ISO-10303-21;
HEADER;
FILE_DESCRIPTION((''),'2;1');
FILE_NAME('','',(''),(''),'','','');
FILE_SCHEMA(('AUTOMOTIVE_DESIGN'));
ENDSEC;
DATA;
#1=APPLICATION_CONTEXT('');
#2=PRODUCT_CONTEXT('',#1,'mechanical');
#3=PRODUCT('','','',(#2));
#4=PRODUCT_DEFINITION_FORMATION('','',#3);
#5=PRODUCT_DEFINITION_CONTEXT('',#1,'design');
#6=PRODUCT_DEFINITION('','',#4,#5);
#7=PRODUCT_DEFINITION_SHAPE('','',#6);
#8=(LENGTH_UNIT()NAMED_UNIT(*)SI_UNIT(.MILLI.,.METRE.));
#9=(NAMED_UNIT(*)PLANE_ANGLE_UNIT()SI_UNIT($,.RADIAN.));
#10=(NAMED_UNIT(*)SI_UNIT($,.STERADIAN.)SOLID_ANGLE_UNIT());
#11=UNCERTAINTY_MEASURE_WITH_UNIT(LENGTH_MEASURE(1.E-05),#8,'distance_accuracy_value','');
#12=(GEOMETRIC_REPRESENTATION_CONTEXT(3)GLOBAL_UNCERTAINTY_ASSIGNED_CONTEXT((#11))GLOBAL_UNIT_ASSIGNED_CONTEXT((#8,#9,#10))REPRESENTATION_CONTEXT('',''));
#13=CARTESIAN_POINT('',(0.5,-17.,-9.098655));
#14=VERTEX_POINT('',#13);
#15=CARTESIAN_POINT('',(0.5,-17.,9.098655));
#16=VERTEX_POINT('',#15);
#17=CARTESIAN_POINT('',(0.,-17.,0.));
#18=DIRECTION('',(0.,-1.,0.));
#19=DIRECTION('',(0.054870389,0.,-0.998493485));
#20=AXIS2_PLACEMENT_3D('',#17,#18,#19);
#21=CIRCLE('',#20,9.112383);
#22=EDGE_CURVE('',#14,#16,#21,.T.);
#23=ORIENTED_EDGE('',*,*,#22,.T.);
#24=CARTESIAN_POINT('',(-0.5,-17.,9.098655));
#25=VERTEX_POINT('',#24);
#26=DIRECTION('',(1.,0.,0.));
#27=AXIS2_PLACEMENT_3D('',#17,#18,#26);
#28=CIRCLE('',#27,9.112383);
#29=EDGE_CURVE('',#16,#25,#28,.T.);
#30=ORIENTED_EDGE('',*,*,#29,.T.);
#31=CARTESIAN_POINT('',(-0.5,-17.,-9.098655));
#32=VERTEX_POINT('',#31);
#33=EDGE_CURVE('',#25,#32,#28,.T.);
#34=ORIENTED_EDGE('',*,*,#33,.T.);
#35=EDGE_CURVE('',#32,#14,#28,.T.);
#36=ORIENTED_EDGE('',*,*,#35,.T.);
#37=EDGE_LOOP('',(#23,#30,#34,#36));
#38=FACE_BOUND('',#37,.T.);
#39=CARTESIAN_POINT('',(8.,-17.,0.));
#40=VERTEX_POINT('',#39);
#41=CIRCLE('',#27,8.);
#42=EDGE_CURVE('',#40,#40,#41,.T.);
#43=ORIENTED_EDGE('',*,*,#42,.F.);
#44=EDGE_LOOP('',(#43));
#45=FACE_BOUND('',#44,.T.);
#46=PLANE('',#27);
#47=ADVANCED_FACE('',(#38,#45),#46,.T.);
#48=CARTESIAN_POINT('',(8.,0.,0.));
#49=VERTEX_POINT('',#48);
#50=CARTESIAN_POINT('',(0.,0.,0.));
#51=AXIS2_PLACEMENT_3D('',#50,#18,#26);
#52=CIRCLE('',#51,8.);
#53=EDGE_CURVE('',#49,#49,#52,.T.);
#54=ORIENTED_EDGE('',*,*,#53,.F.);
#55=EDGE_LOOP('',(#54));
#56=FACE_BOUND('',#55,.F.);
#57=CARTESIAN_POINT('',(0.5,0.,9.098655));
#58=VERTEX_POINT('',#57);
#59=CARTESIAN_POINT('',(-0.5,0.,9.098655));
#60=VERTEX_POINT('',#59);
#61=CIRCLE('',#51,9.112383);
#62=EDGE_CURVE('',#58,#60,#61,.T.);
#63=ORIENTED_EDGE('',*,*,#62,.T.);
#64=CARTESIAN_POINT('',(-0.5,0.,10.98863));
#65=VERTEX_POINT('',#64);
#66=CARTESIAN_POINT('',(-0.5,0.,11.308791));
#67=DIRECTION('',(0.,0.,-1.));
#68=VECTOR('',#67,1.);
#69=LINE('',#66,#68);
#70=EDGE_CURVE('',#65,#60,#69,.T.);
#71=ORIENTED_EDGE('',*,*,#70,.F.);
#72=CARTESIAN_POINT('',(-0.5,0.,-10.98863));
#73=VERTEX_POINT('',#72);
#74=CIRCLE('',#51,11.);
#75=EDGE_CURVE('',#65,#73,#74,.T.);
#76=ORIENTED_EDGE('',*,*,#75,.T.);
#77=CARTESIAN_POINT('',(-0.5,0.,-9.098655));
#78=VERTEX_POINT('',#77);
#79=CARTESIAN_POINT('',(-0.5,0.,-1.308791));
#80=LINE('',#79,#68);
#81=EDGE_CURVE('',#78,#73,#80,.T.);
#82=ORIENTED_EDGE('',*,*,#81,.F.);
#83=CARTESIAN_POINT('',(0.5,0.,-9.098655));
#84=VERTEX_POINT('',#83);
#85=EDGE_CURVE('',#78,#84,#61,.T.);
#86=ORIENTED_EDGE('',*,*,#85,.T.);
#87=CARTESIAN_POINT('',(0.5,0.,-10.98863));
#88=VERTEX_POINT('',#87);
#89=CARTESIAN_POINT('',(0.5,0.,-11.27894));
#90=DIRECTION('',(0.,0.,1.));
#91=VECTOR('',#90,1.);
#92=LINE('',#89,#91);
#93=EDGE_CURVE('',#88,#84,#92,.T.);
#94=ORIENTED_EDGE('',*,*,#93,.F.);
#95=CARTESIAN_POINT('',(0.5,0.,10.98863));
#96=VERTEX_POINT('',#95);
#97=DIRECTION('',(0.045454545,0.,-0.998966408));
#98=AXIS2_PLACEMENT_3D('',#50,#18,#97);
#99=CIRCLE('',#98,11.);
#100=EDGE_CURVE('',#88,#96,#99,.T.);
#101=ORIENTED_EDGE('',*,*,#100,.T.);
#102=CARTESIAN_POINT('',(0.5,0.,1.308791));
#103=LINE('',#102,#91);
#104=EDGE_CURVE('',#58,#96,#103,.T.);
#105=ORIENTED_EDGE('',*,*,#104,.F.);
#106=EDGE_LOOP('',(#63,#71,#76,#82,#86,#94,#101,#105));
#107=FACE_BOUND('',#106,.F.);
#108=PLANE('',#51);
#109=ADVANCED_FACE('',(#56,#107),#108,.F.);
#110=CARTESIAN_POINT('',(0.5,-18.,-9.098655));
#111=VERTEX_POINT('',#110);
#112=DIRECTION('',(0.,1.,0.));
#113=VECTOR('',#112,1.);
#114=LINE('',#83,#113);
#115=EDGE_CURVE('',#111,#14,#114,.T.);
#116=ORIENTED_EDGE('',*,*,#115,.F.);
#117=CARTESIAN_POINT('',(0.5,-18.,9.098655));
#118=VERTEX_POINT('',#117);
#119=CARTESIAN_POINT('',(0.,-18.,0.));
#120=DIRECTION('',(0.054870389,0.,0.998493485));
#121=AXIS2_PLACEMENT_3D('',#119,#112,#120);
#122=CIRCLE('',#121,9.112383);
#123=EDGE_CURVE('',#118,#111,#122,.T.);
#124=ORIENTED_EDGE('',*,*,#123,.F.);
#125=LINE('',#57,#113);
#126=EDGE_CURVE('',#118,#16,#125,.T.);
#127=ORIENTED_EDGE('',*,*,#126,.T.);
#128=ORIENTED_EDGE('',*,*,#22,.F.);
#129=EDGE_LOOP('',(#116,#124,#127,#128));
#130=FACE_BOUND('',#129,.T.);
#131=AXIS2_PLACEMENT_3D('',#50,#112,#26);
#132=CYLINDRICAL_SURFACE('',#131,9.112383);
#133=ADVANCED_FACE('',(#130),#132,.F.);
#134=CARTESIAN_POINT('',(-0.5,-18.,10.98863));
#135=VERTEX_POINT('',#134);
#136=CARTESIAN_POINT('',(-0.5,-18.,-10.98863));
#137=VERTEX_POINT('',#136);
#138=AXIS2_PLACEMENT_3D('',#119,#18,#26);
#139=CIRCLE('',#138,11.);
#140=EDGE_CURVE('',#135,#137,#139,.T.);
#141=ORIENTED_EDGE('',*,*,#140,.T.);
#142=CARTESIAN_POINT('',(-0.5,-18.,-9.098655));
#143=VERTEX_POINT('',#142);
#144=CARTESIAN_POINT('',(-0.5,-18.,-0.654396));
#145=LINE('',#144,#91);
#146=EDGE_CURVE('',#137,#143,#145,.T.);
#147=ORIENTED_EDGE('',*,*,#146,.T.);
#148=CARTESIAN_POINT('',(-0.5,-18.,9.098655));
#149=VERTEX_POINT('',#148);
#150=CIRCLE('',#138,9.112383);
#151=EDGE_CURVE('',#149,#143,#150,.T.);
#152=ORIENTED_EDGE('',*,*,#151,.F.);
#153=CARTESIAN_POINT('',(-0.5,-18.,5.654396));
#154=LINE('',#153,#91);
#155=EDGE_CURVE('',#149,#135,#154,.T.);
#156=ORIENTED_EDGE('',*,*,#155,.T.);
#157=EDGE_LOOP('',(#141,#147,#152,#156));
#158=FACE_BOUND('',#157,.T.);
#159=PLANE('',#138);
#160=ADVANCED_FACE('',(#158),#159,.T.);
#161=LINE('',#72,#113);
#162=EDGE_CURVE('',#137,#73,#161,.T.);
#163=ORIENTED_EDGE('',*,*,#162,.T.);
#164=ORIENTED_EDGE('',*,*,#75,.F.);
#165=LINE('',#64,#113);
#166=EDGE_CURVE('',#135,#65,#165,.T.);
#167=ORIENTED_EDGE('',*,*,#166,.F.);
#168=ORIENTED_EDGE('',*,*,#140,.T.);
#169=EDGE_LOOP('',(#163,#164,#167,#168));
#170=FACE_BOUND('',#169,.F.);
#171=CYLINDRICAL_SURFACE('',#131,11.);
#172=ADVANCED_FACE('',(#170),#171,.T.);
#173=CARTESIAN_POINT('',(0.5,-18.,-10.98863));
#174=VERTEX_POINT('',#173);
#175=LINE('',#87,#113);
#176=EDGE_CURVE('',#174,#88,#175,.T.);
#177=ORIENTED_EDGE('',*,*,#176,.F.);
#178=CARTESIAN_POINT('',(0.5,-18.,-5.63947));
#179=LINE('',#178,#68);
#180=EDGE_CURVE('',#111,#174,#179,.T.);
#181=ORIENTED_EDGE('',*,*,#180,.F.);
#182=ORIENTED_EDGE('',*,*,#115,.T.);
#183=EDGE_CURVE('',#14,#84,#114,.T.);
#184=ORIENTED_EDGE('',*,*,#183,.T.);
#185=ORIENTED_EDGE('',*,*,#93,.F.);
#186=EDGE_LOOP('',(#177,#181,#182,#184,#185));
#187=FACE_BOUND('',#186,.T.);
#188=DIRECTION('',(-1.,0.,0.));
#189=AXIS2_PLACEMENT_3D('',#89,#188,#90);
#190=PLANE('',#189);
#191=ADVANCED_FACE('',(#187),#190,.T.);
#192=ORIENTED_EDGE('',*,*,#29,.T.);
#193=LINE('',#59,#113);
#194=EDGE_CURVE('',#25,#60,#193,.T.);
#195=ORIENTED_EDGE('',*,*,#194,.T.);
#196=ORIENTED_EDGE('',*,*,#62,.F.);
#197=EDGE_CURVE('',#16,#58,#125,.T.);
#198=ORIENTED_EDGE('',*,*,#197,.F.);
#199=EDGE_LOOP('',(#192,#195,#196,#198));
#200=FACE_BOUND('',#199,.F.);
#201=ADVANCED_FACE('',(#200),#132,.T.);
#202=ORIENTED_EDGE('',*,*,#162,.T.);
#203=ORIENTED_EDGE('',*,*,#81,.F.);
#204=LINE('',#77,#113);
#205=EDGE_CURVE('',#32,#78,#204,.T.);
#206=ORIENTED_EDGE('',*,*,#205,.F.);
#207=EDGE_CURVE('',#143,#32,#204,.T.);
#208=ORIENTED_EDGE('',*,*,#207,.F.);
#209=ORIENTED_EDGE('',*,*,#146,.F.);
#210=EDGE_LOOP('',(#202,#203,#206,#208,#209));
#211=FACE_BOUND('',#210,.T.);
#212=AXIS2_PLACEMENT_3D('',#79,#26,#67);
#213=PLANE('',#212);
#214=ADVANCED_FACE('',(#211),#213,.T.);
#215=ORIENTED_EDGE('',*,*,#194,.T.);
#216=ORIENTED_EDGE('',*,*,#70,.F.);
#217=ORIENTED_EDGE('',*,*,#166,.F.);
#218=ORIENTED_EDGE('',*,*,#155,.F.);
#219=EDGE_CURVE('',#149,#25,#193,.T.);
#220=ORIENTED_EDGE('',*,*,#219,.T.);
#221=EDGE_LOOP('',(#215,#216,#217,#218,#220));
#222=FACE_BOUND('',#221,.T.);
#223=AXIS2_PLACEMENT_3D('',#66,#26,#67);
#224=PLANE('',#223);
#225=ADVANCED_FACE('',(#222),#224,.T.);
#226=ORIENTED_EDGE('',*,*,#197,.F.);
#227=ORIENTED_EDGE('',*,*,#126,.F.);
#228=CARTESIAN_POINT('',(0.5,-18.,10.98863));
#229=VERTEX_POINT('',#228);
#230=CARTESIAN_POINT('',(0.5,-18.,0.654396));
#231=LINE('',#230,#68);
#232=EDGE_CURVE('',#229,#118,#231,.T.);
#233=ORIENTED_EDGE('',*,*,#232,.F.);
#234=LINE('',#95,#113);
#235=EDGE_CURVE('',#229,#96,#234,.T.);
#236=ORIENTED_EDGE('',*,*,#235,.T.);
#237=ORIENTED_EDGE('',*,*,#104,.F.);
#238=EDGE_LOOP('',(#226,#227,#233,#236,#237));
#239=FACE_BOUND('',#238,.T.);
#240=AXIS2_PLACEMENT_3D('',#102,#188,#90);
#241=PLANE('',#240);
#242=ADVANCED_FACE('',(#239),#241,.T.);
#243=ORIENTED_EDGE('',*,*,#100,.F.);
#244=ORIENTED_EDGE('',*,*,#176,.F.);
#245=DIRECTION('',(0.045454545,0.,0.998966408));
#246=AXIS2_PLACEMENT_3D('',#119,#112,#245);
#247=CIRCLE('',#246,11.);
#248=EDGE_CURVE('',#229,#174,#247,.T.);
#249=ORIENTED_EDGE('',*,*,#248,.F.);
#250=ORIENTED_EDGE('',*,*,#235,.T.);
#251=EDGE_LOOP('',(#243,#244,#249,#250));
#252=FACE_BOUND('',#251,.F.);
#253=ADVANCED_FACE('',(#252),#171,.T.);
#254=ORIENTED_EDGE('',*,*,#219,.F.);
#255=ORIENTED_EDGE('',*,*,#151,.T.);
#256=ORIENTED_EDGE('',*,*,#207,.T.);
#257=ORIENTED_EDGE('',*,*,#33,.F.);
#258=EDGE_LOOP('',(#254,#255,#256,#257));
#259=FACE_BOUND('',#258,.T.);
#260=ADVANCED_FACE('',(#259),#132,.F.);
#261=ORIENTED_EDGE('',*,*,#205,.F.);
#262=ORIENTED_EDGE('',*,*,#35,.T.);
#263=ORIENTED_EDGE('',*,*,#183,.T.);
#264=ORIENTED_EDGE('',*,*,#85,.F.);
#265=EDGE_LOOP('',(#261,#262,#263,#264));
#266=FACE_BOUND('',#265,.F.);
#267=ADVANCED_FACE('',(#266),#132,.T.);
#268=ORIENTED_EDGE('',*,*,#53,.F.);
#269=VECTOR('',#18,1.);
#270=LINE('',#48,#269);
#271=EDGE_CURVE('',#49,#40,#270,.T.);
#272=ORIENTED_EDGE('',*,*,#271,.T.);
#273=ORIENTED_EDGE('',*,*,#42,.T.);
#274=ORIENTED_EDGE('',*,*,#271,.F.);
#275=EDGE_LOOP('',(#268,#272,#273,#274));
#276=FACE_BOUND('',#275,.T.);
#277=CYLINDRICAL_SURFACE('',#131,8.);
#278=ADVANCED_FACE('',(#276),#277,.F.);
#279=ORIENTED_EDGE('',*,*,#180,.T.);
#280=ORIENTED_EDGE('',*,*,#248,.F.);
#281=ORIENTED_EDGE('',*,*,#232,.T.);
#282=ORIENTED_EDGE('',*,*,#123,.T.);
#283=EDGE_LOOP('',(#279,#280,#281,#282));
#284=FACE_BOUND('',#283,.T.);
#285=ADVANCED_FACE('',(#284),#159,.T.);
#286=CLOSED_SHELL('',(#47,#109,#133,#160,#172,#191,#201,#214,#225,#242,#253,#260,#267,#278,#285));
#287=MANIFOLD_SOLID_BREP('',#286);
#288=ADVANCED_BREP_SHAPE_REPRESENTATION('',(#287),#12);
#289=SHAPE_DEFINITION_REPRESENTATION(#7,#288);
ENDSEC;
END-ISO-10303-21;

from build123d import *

# Parameters (mm, degrees)
F0_R     = 11
F0_R_2   = 9.1123830153
F1_DEPTH = 18
F3_DEPTH = 25
F0_R_3   = 8
F4_DEPTH = 17


with BuildPart() as f1:
    # F0 (on Front) → F1 (new body)
    with BuildSketch(Plane.XZ):
        Circle(F0_R)
        Circle(F0_R_2, mode=Mode.SUBTRACT)
    extrude(amount=F1_DEPTH)

    # F2 (on Front) → F3 (cut)
    with BuildSketch(Plane.XZ):
        Polygon((-0.5, 11.3087910658), (-0.5, 1.3087910658), (0.5, 1.3087910658), (0.5, 11.2789400049), align=None)
        Polygon((0.5, -1.3087910658), (-0.5, -1.3087910658), (-0.5, -11.3087910658), (0.5, -11.2789400049), align=None)
    extrude(amount=F3_DEPTH, mode=Mode.SUBTRACT)

    # F0 (on Front) → F4 (join)
    with BuildSketch(Plane.XZ):
        Circle(F0_R_2)
        Circle(F0_R_3, mode=Mode.SUBTRACT)
    extrude(amount=F4_DEPTH)


solid = f1.part
